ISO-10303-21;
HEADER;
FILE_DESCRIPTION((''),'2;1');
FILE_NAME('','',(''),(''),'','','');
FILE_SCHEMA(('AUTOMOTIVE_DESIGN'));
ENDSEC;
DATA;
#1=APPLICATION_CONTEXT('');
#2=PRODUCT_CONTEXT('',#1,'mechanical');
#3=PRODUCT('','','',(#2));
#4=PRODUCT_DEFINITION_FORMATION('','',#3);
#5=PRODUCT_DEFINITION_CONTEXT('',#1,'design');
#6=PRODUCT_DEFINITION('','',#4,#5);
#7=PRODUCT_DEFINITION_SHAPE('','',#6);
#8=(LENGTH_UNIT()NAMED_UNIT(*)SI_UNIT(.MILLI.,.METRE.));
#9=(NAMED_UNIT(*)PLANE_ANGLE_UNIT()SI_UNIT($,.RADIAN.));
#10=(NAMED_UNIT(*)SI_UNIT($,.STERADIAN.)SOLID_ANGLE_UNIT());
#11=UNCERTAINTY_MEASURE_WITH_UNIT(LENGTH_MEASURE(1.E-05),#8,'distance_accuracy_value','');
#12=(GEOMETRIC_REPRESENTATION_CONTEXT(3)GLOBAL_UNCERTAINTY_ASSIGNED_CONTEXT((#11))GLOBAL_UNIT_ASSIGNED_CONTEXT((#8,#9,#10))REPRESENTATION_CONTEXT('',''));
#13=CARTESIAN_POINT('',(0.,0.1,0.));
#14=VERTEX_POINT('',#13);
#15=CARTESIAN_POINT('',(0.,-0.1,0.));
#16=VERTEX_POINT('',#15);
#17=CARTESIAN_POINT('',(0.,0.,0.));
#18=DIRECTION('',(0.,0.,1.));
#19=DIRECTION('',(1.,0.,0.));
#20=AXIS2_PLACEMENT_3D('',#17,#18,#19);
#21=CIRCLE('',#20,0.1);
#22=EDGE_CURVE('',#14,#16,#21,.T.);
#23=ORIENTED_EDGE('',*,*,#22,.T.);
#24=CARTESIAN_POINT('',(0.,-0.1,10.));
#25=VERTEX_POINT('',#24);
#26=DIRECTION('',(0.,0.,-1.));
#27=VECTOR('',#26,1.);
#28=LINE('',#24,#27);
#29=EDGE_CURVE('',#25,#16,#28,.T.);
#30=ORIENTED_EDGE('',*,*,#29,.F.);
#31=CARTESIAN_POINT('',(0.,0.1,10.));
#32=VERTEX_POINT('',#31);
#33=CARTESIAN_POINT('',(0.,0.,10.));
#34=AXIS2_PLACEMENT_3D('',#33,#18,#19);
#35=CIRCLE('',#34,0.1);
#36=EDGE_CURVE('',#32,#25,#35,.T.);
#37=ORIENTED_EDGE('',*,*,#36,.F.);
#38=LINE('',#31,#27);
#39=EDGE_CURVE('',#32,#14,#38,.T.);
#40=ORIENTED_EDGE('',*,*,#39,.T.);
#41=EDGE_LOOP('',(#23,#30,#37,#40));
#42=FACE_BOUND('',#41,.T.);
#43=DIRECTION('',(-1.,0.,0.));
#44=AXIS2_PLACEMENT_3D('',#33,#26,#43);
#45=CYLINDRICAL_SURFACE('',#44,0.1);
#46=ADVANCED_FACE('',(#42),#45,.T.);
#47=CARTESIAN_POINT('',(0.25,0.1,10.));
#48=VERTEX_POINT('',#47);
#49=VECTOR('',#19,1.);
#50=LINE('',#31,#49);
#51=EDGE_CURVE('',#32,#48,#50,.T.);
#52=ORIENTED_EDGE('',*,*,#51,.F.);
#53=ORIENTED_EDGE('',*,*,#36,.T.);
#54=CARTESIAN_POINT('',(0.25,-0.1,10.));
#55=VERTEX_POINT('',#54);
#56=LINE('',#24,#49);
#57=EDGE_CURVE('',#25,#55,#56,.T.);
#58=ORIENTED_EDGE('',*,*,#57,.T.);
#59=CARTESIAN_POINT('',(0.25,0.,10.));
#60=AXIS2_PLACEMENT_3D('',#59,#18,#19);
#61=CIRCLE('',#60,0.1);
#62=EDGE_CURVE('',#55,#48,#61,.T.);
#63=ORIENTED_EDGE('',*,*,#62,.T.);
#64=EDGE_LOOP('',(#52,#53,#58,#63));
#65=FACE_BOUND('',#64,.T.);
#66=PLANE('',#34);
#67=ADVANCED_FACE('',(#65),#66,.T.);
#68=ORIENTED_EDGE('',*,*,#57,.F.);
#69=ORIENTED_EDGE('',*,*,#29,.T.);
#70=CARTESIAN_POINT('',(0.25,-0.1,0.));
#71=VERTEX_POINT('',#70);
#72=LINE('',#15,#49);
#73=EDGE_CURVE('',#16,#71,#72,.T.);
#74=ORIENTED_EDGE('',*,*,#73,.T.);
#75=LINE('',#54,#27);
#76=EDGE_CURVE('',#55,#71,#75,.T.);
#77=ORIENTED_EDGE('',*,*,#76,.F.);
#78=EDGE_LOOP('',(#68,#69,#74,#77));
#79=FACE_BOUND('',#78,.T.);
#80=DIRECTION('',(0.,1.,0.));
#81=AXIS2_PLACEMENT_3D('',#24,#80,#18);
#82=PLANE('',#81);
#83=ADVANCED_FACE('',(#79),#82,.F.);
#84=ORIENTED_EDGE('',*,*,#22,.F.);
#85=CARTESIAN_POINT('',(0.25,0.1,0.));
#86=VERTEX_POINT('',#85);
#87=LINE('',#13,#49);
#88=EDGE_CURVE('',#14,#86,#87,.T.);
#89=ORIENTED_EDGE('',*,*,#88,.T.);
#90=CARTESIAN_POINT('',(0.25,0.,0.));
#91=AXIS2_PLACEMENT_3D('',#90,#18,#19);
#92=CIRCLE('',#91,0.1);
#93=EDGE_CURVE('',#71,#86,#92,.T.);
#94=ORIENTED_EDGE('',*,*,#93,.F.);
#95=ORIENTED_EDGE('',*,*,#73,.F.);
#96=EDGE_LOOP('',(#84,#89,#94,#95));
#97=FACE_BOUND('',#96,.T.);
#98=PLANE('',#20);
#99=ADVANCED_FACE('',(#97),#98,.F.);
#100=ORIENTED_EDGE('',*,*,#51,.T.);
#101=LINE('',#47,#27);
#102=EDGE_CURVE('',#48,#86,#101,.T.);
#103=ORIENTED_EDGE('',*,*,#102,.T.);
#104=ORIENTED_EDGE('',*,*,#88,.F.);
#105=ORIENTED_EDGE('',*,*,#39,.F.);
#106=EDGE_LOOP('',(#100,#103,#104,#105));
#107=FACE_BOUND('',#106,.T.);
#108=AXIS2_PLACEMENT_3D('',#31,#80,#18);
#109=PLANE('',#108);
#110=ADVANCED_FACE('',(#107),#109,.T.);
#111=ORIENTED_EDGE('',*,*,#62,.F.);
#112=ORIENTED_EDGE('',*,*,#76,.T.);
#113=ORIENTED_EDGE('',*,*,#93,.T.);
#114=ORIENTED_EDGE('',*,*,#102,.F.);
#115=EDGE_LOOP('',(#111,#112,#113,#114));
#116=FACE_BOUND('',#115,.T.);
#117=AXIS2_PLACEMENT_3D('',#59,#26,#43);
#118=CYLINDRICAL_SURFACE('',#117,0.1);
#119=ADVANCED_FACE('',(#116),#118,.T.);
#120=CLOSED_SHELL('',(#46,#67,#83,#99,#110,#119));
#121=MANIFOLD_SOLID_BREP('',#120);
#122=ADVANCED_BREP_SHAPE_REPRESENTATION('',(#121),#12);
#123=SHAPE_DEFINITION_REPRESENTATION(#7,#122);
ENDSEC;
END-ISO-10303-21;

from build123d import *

# Parameters (mm, degrees)
DODANIE_WYCI_GNI_CIE1_DEPTH = 10


with BuildPart() as part:
    # Szkic1 → Dodanie-wyciągnięcie1 (new body)
    with BuildSketch(Plane.XY):
        with BuildLine():
            Line((0.25, 0.1), (0.125, 0.1))
            Line((0.125, 0.1), (0.125, 0))
            Line((0.125, 0), (0.35, 0))
            ThreePointArc((0.35, 0), (0.320710678, 0.070710678), (0.25, 0.1))
        make_face()
        with BuildLine():
            Line((0.35, 0), (0.125, 0))
            Line((0.125, 0), (0.125, -0.1))
            Line((0.125, -0.1), (0.25, -0.1))
            ThreePointArc((0.25, -0.1), (0.320710678, -0.070710678), (0.35, 0))
        make_face()
        with BuildLine():
            Line((0.125, 0.1), (0, 0.1))
            ThreePointArc((0, 0.1), (-0.070710678, 0.070710678), (-0.1, 0))
            Line((-0.1, 0), (0.125, 0))
            Line((0.125, 0), (0.125, 0.1))
        make_face()
        with BuildLine():
            Line((0.125, 0), (-0.1, 0))
            ThreePointArc((-0.1, 0), (-0.070710678, -0.070710678), (0, -0.1))
            Line((0, -0.1), (0.125, -0.1))
            Line((0.125, -0.1), (0.125, 0))
        make_face()
    extrude(amount=DODANIE_WYCI_GNI_CIE1_DEPTH)


solid = part.part
